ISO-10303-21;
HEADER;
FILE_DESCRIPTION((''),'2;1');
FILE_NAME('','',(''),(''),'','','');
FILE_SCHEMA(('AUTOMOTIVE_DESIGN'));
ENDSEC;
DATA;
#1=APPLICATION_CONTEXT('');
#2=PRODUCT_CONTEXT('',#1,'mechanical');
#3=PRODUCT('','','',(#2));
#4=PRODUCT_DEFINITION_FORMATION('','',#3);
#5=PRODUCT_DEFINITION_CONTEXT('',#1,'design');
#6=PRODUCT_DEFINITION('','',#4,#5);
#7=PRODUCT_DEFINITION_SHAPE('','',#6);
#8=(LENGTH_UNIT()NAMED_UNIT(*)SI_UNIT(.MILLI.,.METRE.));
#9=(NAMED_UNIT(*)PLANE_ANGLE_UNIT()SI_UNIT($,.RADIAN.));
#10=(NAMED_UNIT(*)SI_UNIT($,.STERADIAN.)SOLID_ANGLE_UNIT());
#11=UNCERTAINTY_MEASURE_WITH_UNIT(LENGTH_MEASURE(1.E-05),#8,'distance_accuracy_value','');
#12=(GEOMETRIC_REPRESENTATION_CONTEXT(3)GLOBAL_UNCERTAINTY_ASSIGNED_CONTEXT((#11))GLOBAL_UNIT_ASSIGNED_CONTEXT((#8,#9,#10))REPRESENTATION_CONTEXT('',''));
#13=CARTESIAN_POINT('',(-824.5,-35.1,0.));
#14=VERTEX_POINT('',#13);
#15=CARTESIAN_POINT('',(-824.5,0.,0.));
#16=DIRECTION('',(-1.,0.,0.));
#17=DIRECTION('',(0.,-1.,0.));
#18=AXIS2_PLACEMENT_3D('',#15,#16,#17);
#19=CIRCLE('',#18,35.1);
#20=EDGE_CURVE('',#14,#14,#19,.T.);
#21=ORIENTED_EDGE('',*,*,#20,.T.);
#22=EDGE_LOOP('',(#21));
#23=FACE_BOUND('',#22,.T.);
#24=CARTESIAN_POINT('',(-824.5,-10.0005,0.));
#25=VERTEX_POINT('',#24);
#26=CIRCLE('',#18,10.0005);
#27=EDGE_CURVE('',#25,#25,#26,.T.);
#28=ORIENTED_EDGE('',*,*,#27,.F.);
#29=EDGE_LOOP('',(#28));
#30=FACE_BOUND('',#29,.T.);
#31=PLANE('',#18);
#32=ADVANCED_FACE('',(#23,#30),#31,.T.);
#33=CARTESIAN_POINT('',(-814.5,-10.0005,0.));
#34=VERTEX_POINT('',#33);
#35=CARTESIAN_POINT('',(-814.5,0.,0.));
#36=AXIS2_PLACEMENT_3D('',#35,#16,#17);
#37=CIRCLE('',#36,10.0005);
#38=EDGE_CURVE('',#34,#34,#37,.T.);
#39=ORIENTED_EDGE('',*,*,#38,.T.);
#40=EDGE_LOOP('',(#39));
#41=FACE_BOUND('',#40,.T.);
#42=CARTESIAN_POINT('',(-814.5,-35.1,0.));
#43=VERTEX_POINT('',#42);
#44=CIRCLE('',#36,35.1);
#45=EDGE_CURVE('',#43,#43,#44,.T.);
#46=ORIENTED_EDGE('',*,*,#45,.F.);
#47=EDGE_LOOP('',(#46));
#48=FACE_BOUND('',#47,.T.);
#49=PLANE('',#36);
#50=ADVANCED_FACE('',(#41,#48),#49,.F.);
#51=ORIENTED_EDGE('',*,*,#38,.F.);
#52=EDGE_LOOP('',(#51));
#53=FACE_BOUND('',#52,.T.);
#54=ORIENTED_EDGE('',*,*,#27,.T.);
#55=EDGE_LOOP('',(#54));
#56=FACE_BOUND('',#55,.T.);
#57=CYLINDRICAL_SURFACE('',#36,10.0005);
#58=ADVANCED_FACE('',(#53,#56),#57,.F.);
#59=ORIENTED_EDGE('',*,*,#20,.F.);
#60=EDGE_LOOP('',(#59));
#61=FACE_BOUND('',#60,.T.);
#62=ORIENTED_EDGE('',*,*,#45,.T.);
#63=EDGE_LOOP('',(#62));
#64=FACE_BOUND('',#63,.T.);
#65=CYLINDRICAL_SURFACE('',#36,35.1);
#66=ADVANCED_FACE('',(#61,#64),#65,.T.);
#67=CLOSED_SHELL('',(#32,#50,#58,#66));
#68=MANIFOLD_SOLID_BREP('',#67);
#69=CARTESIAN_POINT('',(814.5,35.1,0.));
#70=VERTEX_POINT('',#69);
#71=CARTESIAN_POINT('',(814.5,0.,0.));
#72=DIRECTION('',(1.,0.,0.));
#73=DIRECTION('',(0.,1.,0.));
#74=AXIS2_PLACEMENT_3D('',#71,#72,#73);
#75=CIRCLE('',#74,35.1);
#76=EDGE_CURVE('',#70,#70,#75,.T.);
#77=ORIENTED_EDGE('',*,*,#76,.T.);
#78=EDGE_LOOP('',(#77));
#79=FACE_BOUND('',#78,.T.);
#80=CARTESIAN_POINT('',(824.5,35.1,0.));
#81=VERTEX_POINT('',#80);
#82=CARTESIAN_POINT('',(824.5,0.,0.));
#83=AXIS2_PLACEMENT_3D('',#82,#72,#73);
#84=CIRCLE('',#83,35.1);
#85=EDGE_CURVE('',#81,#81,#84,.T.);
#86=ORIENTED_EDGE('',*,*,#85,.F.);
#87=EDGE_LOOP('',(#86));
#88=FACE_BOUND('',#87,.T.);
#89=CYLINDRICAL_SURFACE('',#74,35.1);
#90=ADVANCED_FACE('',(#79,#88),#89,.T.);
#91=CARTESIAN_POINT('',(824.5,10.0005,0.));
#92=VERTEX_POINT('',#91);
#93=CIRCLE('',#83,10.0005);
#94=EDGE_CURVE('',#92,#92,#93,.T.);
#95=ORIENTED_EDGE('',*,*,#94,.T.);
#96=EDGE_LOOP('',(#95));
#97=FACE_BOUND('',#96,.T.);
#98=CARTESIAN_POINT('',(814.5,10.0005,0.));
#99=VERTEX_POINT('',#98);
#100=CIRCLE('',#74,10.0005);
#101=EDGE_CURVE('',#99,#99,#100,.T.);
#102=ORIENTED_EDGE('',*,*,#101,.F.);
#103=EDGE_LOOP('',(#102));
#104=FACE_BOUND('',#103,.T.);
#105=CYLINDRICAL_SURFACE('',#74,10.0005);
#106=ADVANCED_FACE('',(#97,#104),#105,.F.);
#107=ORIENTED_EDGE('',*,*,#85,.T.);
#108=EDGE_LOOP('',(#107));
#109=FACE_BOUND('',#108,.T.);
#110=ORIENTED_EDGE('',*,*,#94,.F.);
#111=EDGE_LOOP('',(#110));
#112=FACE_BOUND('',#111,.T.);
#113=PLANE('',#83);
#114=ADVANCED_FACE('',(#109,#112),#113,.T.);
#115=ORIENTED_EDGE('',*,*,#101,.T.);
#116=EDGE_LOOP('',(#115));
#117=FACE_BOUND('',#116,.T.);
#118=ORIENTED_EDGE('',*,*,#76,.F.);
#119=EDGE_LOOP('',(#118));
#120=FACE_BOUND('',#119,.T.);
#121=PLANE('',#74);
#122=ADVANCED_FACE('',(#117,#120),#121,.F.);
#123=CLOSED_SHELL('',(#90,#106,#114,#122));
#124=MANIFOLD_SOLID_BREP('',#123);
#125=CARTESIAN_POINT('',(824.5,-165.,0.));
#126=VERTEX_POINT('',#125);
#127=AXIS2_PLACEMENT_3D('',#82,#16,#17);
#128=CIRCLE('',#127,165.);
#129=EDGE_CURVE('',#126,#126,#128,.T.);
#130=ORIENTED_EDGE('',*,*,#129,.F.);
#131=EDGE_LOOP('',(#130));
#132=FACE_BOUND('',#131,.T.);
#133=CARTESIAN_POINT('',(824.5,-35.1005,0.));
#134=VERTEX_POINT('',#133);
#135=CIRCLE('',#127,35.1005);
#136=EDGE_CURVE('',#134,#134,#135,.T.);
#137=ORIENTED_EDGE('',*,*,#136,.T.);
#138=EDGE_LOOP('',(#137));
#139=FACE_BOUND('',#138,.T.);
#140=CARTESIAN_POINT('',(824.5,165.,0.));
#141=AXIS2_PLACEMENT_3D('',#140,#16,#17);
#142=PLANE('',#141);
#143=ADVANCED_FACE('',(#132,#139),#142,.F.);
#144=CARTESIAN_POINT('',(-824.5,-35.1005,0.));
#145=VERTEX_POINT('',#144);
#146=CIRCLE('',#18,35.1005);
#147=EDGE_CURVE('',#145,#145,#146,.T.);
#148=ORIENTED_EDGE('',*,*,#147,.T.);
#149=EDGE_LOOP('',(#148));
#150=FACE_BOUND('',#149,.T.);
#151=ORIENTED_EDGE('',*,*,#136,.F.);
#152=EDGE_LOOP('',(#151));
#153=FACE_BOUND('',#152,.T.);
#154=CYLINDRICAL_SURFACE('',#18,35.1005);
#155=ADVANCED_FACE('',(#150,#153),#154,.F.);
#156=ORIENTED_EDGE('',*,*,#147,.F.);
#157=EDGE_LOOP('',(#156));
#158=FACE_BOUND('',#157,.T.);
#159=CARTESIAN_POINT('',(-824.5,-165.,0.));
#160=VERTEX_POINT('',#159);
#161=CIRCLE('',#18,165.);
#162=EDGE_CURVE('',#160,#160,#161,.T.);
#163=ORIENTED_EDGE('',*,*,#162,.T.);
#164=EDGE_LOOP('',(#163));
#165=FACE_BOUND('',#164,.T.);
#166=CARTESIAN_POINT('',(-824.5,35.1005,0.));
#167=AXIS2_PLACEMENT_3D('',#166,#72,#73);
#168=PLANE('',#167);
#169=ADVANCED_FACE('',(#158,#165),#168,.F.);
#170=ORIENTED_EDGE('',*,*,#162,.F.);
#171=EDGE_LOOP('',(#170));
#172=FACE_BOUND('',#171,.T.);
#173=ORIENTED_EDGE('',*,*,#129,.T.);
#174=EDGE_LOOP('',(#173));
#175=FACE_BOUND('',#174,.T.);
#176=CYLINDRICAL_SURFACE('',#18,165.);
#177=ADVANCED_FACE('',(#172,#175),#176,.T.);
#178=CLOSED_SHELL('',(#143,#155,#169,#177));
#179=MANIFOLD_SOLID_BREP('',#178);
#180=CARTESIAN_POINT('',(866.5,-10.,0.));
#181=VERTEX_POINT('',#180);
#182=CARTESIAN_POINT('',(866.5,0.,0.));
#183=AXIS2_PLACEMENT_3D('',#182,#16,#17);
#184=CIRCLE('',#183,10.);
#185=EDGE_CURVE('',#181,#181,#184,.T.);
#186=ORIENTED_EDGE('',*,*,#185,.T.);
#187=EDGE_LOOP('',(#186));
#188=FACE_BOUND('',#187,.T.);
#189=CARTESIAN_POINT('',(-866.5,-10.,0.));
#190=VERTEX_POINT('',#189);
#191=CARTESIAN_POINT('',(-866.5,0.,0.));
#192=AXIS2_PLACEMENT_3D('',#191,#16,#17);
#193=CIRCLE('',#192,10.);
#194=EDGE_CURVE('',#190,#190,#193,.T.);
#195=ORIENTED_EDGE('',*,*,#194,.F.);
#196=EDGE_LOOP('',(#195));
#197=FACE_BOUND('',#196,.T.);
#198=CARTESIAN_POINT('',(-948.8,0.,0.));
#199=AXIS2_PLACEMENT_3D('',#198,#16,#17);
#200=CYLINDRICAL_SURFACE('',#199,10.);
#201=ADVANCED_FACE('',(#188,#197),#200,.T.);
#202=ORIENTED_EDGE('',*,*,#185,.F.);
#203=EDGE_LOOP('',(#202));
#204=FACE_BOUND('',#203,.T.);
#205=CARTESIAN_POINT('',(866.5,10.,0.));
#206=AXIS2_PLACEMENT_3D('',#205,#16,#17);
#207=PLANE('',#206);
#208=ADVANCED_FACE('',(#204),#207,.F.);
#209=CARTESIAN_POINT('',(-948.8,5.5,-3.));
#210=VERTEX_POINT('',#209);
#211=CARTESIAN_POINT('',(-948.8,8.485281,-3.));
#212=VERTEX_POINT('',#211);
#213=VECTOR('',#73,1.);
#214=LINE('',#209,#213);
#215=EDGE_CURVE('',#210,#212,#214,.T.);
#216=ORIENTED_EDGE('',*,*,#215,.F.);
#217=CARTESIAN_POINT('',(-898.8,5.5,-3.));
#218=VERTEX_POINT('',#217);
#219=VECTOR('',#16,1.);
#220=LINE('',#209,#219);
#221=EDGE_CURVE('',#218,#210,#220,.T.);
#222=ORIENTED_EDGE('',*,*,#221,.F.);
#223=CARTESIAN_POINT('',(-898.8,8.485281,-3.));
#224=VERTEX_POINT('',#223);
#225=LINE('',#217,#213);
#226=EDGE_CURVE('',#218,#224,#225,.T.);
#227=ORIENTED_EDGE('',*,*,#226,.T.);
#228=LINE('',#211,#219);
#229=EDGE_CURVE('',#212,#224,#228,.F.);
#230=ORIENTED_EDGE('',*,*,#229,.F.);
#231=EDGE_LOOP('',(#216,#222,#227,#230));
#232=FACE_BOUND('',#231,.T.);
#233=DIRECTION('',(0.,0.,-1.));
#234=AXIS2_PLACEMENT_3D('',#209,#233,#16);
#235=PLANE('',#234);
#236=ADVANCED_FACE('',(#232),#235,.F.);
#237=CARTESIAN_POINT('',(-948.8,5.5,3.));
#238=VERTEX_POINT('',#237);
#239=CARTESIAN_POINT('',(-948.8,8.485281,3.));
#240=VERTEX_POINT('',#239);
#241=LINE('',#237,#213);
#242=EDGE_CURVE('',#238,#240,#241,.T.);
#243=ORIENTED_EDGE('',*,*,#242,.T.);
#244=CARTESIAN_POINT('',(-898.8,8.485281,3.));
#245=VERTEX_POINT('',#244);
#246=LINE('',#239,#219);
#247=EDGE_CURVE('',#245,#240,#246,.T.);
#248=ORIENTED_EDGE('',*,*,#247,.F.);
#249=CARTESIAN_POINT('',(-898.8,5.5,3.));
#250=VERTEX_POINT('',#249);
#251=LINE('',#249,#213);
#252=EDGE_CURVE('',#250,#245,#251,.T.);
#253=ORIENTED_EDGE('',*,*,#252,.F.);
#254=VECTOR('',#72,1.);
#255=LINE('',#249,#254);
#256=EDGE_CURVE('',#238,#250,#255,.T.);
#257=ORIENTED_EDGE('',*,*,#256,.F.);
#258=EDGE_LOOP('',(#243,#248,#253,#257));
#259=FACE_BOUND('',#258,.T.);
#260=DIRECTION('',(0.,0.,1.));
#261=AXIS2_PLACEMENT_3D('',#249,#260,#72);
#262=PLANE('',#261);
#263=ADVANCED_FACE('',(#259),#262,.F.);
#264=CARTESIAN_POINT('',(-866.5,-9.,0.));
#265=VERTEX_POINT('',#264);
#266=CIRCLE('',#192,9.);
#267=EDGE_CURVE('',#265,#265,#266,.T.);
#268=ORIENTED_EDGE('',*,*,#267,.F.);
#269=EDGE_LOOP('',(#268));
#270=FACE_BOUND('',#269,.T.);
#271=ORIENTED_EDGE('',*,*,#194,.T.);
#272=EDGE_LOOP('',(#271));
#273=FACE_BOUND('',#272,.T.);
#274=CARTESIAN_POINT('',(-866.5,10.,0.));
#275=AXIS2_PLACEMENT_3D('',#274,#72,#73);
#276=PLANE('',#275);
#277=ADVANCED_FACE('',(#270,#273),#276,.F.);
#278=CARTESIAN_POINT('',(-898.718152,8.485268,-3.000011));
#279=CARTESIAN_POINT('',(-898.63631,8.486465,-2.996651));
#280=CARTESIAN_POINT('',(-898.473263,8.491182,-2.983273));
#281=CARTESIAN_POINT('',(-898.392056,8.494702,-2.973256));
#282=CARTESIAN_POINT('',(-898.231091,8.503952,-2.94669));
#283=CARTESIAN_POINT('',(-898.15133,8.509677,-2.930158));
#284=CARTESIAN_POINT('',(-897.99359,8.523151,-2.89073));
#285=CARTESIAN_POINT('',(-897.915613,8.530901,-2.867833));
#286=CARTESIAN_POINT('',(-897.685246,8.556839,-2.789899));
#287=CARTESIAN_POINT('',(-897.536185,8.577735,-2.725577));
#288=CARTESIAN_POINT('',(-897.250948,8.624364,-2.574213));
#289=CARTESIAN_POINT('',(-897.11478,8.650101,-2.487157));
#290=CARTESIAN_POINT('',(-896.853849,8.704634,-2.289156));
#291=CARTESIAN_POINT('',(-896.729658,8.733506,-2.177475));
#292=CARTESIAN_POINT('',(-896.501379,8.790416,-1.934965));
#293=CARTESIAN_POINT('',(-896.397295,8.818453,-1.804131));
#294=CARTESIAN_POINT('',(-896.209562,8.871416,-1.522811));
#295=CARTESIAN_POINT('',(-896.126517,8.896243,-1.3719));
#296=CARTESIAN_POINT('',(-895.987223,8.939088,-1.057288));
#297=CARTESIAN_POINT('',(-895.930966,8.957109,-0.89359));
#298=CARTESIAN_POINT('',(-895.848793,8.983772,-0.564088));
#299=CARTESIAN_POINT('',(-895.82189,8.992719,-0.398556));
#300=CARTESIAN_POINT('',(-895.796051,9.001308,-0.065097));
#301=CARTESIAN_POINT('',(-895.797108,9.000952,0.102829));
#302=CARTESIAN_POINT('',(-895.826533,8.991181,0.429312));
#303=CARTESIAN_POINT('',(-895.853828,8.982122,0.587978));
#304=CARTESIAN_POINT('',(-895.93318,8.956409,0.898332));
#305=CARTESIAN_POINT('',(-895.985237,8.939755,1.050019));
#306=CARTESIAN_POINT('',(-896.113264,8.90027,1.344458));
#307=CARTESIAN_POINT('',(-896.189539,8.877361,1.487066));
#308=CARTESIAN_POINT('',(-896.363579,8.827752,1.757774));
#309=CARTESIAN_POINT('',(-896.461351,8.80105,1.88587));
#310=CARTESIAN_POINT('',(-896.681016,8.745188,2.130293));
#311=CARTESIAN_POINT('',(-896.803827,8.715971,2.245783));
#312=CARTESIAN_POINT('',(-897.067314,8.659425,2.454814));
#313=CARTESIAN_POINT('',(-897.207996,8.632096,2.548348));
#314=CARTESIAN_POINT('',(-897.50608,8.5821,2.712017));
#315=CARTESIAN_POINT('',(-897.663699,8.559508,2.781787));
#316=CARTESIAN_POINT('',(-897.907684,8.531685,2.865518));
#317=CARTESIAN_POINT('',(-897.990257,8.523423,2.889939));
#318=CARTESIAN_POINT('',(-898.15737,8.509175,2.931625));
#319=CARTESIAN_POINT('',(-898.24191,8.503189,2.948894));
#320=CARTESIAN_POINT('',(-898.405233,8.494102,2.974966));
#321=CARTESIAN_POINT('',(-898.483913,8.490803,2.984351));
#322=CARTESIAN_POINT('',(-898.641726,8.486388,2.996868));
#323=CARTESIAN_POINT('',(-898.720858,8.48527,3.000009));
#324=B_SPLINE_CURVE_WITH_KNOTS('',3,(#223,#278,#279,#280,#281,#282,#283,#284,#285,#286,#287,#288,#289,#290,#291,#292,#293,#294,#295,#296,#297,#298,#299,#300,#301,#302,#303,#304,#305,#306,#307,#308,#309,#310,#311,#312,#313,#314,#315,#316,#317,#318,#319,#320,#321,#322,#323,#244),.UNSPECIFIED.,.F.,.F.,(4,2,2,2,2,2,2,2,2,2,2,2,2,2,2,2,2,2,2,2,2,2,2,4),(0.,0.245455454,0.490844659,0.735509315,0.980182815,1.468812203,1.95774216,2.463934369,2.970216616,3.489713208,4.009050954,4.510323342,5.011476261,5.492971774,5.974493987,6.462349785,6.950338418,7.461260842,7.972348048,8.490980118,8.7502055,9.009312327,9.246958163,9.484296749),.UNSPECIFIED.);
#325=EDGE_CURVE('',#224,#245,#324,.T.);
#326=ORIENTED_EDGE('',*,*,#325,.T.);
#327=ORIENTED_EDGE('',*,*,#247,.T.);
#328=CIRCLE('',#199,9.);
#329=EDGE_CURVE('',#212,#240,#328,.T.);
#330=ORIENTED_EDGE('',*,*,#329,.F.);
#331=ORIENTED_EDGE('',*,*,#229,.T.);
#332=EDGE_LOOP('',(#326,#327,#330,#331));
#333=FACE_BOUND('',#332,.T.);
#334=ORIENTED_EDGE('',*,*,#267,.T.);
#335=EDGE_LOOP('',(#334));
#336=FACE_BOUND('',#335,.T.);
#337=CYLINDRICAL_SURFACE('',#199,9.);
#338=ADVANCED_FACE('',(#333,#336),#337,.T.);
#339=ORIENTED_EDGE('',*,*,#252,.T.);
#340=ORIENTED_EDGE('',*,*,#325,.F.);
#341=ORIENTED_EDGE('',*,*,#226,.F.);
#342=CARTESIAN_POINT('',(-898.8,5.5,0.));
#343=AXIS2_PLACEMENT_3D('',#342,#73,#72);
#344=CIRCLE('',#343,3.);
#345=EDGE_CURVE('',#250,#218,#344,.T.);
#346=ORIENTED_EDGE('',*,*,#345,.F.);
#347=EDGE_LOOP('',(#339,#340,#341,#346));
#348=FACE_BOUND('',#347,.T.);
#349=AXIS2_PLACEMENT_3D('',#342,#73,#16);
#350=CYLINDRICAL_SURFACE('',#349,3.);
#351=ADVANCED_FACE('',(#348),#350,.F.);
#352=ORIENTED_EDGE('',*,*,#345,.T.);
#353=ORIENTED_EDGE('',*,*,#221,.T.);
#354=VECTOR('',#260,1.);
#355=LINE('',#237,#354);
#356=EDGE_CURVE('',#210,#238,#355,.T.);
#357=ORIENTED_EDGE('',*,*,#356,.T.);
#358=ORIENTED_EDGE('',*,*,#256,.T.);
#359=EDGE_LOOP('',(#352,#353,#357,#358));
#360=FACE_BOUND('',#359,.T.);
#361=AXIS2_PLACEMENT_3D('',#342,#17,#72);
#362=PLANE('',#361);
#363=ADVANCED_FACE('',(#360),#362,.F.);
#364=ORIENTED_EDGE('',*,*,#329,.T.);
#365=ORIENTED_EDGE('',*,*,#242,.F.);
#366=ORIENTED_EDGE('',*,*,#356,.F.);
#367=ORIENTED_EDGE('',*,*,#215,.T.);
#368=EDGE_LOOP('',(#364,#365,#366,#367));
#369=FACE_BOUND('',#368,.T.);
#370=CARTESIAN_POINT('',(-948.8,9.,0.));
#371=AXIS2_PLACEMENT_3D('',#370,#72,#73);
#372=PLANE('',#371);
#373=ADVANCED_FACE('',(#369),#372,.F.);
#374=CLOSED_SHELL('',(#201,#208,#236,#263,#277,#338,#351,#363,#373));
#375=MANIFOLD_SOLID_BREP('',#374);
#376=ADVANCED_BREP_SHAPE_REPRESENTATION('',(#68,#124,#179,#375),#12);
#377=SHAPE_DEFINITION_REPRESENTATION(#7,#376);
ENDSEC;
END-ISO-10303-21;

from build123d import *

# Parameters (mm, degrees)
SKETCH1_W           = 1649
SKETCH1_H           = 129.8995
SKETCH2_R           = 35.1
SKETCH2_R_2         = 10.0005
BOSS_EXTRUDE1_DEPTH = 10
SKETCH3_R           = 35.1
SKETCH3_R_2         = 10.0005
BOSS_EXTRUDE2_DEPTH = 10
CUT_EXTRUDE1_DEPTH  = 3.5


with BuildPart() as part:
    # Sketch1 → Revolve1 (revolve)
    with BuildSketch(Plane.XY, mode=Mode.PRIVATE) as revolve1_sk:
        with Locations((0, 100.05025)):
            Rectangle(SKETCH1_W, SKETCH1_H)
    revolve(revolve1_sk.sketch.rotate(Axis((-824.5, 0, 0), (1, 0, 0)), 180), axis=Axis((-824.5, 0, 0), (1, 0, 0)))


with BuildPart() as body_2:
    # Sketch2 → Boss-Extrude1 (new body)
    with BuildSketch(Plane.ZY.offset(824.5)):
        with Locations(Location((0, 0, 0), (0, 0, 270))):
            Circle(SKETCH2_R)
        with Locations(Location((0, 0, 0), (0, 0, 270))):
            Circle(SKETCH2_R_2, mode=Mode.SUBTRACT)
    extrude(amount=-BOSS_EXTRUDE1_DEPTH)


with BuildPart() as body_3:
    # Sketch3 → Boss-Extrude2 (new body)
    with BuildSketch(Plane(origin=(824.5, 0, 0), x_dir=(0, 0, -1), z_dir=(1, 0, 0))):
        with Locations(Location((0, 0, 0), (0, 0, 90))):
            Circle(SKETCH3_R)
        with Locations(Location((0, 0, 0), (0, 0, 90))):
            Circle(SKETCH3_R_2, mode=Mode.SUBTRACT)
    extrude(amount=-BOSS_EXTRUDE2_DEPTH)


with BuildPart() as body_4:
    # Sketch4 → Revolve3 (revolve)
    with BuildSketch(Plane.XY, mode=Mode.PRIVATE) as revolve3_sk:
        Polygon((-866.5, 10), (866.5, 10), (866.5, 0), (-948.8, 0), (-948.8, 9), (-866.5, 9), align=None)
    revolve(revolve3_sk.sketch.rotate(Axis((-948.8, 0, 0), (1, 0, 0)), 180), axis=Axis((-948.8, 0, 0), (1, 0, 0)))

    # Sketch5 → Cut-Extrude1 (cut)
    with BuildSketch(Plane(origin=(0, 9, 0), x_dir=(1, 0, 0), z_dir=(0, 1, 0))):
        with BuildLine():
            Line((-948.8, 3), (-898.8, 3))
            ThreePointArc((-898.8, 3), (-895.8, 0), (-898.8, -3))
            Line((-898.8, -3), (-948.8, -3))
            Line((-948.8, -3), (-948.8, 3))
        make_face()
    extrude(amount=-CUT_EXTRUDE1_DEPTH, mode=Mode.SUBTRACT)


solid = Compound([part.part, body_2.part, body_3.part, body_4.part])
